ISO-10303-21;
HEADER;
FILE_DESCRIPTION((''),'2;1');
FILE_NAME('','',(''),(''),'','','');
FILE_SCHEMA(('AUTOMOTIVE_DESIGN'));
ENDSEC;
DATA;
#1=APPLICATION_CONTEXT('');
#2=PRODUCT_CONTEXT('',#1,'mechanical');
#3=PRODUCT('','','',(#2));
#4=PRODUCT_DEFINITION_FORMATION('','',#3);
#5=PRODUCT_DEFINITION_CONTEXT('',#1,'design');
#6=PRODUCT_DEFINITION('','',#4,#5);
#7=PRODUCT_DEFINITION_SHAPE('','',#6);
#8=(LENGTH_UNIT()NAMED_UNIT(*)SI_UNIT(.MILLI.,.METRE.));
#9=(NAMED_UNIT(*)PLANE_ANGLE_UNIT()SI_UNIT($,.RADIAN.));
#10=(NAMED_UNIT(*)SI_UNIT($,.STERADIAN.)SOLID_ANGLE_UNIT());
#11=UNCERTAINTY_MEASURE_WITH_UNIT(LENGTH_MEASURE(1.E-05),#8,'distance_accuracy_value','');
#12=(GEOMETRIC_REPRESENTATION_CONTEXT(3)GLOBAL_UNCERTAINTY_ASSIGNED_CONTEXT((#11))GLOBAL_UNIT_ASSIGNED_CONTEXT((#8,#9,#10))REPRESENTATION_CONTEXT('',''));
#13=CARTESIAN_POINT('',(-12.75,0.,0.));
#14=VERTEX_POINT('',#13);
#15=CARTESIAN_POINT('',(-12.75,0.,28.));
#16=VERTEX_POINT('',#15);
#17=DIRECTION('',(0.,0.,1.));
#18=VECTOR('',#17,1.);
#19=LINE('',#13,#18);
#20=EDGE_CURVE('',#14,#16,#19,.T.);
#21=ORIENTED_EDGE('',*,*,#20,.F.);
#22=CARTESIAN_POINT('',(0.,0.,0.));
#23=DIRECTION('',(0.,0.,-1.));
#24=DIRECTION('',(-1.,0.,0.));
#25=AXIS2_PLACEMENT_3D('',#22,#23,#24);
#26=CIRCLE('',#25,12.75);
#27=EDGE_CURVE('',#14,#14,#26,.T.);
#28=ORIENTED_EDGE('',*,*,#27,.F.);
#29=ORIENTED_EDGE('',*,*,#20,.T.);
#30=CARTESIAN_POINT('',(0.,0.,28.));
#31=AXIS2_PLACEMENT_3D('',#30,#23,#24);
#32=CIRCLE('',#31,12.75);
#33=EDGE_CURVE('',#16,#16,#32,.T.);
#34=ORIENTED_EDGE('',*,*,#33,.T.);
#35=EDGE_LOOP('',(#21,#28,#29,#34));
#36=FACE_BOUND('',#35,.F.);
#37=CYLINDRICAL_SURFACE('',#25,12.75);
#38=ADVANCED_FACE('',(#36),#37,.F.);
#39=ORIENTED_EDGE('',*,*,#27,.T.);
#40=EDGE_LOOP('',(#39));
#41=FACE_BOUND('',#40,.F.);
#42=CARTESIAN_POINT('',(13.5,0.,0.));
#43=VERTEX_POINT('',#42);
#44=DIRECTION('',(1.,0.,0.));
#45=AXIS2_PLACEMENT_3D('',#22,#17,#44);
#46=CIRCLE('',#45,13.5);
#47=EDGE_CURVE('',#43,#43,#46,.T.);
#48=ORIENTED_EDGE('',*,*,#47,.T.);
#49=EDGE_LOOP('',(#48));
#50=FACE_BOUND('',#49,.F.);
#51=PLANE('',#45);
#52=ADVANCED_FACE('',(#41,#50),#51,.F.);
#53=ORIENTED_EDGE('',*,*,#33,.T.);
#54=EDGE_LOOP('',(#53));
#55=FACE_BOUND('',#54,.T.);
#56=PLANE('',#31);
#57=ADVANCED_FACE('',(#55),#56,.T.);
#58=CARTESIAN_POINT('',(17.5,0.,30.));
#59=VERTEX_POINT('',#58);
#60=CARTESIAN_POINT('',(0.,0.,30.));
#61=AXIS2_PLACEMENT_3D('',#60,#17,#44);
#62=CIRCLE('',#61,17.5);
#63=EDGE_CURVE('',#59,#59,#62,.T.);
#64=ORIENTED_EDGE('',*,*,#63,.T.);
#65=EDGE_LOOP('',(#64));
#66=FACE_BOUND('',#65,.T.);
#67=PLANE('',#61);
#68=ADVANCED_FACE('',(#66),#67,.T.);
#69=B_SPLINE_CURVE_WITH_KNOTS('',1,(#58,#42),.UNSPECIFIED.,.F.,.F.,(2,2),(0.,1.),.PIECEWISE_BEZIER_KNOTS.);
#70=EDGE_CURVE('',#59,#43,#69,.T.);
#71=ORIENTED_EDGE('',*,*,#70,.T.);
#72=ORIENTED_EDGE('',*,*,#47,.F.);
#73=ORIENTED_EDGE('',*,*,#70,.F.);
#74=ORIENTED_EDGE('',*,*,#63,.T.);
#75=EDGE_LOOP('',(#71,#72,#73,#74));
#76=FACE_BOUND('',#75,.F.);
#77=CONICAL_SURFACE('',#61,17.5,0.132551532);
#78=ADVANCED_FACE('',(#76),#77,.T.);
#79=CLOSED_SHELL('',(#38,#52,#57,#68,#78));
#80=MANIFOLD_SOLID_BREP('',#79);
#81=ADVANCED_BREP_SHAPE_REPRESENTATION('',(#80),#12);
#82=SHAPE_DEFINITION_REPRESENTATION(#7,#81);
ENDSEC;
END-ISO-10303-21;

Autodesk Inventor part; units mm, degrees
ref_plane "YZ Plane" through (0, 0, 0) normal (1, 0, 0) x (0, 1, 0)
ref_plane "XZ Plane" through (0, 0, 0) normal (0, 1, 0) x (-1, 0, 0)
sketch "Sketch1" plane through (0, 0, 0) normal (0, 0, 1) x (1, 0, 0)
  circle A0 centre (0, 0) radius 13.5
  dimension "d0" = 27
ref_plane "Work Plane1" through (0, 0, 30) normal (0, 0, 1) x (1, 0, 0)
sketch "Sketch2" plane through (0, 0, 30) normal (0, 0, 1) x (1, 0, 0)
  circle A0 centre (0, 0) radius 17.5
  dimension "d2" = 35
loft "Loft1" add profiles "Sketch2", "Sketch1"
sketch "Sketch3" plane through (0, 0, 0) normal (0, 0, -1) x (-1, 0, 0)
  circle A0 centre (0, 0) radius 12.75
  dimension "d7" = 25.5
extrude "Extrusion1" cut sketch "Sketch3" against normal blind 28
properties part number "topes pata" material "UHMW, Black"
